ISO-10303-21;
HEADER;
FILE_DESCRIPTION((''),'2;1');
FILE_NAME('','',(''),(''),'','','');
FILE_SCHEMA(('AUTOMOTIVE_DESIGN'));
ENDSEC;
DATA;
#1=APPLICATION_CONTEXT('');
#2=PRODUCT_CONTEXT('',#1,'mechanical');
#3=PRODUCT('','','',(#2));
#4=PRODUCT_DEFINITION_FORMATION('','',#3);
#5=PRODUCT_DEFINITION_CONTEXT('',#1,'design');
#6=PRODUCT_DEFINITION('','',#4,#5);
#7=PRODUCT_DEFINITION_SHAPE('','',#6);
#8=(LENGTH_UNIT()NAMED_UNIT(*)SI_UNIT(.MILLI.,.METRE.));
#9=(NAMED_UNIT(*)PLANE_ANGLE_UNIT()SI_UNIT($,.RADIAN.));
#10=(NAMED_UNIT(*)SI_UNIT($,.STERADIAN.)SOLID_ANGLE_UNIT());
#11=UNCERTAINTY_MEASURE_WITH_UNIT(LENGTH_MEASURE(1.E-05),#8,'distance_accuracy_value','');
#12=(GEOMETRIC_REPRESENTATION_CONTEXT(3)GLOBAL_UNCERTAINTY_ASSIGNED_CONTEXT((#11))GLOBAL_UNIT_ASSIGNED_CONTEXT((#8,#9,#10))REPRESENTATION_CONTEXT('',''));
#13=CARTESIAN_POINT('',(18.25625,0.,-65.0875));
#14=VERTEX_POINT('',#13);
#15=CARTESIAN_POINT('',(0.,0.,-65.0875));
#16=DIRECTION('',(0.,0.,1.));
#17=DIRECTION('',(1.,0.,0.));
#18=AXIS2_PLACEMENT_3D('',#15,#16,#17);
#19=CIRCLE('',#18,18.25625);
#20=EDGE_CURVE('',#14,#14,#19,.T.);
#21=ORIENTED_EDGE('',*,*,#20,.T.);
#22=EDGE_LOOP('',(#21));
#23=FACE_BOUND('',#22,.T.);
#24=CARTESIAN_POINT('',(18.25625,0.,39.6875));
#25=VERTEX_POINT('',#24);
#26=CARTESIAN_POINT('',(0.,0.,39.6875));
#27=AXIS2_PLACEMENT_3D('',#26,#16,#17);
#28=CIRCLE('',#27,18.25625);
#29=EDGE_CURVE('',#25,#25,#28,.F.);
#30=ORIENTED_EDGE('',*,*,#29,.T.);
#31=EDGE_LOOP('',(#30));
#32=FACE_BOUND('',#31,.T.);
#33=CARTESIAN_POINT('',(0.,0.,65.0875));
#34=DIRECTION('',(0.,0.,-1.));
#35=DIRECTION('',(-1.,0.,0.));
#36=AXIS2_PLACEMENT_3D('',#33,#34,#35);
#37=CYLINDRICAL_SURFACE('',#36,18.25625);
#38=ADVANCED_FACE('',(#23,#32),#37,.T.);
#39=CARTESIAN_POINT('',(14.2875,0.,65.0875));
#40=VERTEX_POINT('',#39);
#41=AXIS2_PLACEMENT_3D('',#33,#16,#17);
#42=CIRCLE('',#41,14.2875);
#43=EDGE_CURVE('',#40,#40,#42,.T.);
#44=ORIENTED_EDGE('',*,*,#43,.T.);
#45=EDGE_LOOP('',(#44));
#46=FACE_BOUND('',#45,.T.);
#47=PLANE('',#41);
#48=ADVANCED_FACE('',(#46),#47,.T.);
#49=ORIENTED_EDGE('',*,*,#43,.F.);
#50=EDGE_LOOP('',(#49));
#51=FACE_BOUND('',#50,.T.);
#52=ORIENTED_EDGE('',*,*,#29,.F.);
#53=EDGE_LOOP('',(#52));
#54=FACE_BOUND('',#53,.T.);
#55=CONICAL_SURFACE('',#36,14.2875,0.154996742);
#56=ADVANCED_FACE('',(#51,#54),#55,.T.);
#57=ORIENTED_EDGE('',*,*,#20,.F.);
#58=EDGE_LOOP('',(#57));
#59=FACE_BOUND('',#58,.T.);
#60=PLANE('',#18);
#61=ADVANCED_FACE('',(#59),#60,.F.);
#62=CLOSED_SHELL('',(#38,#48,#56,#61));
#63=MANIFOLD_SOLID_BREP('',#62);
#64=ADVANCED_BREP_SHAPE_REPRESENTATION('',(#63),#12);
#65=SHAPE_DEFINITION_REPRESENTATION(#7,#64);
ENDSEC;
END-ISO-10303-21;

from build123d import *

# Parameters (mm, degrees)
SKETCH1_R           = 18.25625
BOSS_EXTRUDE1_DEPTH = 65.0875
CHAMFER1_SIZE       = 25.4
CHAMFER1_SIZE2      = 3.96875


with BuildPart() as part:
    # Sketch1 → Boss-Extrude1 (new body, symmetric)
    with BuildSketch(Plane.XY):
        Circle(SKETCH1_R)
    extrude(amount=BOSS_EXTRUDE1_DEPTH, both=True)

    # Chamfer1
    chamfer1_edges = [part.edges().sort_by_distance(p)[0] for p in [
        (-18.25625, 0, 65.0875),
    ]]
    chamfer1_side = [part.faces().sort_by_distance(p)[0] for p in [
        (-18.25625, 0, 0),
    ]]
    chamfer(chamfer1_edges, length=CHAMFER1_SIZE, length2=CHAMFER1_SIZE2, reference=chamfer1_side[0])


solid = part.part
